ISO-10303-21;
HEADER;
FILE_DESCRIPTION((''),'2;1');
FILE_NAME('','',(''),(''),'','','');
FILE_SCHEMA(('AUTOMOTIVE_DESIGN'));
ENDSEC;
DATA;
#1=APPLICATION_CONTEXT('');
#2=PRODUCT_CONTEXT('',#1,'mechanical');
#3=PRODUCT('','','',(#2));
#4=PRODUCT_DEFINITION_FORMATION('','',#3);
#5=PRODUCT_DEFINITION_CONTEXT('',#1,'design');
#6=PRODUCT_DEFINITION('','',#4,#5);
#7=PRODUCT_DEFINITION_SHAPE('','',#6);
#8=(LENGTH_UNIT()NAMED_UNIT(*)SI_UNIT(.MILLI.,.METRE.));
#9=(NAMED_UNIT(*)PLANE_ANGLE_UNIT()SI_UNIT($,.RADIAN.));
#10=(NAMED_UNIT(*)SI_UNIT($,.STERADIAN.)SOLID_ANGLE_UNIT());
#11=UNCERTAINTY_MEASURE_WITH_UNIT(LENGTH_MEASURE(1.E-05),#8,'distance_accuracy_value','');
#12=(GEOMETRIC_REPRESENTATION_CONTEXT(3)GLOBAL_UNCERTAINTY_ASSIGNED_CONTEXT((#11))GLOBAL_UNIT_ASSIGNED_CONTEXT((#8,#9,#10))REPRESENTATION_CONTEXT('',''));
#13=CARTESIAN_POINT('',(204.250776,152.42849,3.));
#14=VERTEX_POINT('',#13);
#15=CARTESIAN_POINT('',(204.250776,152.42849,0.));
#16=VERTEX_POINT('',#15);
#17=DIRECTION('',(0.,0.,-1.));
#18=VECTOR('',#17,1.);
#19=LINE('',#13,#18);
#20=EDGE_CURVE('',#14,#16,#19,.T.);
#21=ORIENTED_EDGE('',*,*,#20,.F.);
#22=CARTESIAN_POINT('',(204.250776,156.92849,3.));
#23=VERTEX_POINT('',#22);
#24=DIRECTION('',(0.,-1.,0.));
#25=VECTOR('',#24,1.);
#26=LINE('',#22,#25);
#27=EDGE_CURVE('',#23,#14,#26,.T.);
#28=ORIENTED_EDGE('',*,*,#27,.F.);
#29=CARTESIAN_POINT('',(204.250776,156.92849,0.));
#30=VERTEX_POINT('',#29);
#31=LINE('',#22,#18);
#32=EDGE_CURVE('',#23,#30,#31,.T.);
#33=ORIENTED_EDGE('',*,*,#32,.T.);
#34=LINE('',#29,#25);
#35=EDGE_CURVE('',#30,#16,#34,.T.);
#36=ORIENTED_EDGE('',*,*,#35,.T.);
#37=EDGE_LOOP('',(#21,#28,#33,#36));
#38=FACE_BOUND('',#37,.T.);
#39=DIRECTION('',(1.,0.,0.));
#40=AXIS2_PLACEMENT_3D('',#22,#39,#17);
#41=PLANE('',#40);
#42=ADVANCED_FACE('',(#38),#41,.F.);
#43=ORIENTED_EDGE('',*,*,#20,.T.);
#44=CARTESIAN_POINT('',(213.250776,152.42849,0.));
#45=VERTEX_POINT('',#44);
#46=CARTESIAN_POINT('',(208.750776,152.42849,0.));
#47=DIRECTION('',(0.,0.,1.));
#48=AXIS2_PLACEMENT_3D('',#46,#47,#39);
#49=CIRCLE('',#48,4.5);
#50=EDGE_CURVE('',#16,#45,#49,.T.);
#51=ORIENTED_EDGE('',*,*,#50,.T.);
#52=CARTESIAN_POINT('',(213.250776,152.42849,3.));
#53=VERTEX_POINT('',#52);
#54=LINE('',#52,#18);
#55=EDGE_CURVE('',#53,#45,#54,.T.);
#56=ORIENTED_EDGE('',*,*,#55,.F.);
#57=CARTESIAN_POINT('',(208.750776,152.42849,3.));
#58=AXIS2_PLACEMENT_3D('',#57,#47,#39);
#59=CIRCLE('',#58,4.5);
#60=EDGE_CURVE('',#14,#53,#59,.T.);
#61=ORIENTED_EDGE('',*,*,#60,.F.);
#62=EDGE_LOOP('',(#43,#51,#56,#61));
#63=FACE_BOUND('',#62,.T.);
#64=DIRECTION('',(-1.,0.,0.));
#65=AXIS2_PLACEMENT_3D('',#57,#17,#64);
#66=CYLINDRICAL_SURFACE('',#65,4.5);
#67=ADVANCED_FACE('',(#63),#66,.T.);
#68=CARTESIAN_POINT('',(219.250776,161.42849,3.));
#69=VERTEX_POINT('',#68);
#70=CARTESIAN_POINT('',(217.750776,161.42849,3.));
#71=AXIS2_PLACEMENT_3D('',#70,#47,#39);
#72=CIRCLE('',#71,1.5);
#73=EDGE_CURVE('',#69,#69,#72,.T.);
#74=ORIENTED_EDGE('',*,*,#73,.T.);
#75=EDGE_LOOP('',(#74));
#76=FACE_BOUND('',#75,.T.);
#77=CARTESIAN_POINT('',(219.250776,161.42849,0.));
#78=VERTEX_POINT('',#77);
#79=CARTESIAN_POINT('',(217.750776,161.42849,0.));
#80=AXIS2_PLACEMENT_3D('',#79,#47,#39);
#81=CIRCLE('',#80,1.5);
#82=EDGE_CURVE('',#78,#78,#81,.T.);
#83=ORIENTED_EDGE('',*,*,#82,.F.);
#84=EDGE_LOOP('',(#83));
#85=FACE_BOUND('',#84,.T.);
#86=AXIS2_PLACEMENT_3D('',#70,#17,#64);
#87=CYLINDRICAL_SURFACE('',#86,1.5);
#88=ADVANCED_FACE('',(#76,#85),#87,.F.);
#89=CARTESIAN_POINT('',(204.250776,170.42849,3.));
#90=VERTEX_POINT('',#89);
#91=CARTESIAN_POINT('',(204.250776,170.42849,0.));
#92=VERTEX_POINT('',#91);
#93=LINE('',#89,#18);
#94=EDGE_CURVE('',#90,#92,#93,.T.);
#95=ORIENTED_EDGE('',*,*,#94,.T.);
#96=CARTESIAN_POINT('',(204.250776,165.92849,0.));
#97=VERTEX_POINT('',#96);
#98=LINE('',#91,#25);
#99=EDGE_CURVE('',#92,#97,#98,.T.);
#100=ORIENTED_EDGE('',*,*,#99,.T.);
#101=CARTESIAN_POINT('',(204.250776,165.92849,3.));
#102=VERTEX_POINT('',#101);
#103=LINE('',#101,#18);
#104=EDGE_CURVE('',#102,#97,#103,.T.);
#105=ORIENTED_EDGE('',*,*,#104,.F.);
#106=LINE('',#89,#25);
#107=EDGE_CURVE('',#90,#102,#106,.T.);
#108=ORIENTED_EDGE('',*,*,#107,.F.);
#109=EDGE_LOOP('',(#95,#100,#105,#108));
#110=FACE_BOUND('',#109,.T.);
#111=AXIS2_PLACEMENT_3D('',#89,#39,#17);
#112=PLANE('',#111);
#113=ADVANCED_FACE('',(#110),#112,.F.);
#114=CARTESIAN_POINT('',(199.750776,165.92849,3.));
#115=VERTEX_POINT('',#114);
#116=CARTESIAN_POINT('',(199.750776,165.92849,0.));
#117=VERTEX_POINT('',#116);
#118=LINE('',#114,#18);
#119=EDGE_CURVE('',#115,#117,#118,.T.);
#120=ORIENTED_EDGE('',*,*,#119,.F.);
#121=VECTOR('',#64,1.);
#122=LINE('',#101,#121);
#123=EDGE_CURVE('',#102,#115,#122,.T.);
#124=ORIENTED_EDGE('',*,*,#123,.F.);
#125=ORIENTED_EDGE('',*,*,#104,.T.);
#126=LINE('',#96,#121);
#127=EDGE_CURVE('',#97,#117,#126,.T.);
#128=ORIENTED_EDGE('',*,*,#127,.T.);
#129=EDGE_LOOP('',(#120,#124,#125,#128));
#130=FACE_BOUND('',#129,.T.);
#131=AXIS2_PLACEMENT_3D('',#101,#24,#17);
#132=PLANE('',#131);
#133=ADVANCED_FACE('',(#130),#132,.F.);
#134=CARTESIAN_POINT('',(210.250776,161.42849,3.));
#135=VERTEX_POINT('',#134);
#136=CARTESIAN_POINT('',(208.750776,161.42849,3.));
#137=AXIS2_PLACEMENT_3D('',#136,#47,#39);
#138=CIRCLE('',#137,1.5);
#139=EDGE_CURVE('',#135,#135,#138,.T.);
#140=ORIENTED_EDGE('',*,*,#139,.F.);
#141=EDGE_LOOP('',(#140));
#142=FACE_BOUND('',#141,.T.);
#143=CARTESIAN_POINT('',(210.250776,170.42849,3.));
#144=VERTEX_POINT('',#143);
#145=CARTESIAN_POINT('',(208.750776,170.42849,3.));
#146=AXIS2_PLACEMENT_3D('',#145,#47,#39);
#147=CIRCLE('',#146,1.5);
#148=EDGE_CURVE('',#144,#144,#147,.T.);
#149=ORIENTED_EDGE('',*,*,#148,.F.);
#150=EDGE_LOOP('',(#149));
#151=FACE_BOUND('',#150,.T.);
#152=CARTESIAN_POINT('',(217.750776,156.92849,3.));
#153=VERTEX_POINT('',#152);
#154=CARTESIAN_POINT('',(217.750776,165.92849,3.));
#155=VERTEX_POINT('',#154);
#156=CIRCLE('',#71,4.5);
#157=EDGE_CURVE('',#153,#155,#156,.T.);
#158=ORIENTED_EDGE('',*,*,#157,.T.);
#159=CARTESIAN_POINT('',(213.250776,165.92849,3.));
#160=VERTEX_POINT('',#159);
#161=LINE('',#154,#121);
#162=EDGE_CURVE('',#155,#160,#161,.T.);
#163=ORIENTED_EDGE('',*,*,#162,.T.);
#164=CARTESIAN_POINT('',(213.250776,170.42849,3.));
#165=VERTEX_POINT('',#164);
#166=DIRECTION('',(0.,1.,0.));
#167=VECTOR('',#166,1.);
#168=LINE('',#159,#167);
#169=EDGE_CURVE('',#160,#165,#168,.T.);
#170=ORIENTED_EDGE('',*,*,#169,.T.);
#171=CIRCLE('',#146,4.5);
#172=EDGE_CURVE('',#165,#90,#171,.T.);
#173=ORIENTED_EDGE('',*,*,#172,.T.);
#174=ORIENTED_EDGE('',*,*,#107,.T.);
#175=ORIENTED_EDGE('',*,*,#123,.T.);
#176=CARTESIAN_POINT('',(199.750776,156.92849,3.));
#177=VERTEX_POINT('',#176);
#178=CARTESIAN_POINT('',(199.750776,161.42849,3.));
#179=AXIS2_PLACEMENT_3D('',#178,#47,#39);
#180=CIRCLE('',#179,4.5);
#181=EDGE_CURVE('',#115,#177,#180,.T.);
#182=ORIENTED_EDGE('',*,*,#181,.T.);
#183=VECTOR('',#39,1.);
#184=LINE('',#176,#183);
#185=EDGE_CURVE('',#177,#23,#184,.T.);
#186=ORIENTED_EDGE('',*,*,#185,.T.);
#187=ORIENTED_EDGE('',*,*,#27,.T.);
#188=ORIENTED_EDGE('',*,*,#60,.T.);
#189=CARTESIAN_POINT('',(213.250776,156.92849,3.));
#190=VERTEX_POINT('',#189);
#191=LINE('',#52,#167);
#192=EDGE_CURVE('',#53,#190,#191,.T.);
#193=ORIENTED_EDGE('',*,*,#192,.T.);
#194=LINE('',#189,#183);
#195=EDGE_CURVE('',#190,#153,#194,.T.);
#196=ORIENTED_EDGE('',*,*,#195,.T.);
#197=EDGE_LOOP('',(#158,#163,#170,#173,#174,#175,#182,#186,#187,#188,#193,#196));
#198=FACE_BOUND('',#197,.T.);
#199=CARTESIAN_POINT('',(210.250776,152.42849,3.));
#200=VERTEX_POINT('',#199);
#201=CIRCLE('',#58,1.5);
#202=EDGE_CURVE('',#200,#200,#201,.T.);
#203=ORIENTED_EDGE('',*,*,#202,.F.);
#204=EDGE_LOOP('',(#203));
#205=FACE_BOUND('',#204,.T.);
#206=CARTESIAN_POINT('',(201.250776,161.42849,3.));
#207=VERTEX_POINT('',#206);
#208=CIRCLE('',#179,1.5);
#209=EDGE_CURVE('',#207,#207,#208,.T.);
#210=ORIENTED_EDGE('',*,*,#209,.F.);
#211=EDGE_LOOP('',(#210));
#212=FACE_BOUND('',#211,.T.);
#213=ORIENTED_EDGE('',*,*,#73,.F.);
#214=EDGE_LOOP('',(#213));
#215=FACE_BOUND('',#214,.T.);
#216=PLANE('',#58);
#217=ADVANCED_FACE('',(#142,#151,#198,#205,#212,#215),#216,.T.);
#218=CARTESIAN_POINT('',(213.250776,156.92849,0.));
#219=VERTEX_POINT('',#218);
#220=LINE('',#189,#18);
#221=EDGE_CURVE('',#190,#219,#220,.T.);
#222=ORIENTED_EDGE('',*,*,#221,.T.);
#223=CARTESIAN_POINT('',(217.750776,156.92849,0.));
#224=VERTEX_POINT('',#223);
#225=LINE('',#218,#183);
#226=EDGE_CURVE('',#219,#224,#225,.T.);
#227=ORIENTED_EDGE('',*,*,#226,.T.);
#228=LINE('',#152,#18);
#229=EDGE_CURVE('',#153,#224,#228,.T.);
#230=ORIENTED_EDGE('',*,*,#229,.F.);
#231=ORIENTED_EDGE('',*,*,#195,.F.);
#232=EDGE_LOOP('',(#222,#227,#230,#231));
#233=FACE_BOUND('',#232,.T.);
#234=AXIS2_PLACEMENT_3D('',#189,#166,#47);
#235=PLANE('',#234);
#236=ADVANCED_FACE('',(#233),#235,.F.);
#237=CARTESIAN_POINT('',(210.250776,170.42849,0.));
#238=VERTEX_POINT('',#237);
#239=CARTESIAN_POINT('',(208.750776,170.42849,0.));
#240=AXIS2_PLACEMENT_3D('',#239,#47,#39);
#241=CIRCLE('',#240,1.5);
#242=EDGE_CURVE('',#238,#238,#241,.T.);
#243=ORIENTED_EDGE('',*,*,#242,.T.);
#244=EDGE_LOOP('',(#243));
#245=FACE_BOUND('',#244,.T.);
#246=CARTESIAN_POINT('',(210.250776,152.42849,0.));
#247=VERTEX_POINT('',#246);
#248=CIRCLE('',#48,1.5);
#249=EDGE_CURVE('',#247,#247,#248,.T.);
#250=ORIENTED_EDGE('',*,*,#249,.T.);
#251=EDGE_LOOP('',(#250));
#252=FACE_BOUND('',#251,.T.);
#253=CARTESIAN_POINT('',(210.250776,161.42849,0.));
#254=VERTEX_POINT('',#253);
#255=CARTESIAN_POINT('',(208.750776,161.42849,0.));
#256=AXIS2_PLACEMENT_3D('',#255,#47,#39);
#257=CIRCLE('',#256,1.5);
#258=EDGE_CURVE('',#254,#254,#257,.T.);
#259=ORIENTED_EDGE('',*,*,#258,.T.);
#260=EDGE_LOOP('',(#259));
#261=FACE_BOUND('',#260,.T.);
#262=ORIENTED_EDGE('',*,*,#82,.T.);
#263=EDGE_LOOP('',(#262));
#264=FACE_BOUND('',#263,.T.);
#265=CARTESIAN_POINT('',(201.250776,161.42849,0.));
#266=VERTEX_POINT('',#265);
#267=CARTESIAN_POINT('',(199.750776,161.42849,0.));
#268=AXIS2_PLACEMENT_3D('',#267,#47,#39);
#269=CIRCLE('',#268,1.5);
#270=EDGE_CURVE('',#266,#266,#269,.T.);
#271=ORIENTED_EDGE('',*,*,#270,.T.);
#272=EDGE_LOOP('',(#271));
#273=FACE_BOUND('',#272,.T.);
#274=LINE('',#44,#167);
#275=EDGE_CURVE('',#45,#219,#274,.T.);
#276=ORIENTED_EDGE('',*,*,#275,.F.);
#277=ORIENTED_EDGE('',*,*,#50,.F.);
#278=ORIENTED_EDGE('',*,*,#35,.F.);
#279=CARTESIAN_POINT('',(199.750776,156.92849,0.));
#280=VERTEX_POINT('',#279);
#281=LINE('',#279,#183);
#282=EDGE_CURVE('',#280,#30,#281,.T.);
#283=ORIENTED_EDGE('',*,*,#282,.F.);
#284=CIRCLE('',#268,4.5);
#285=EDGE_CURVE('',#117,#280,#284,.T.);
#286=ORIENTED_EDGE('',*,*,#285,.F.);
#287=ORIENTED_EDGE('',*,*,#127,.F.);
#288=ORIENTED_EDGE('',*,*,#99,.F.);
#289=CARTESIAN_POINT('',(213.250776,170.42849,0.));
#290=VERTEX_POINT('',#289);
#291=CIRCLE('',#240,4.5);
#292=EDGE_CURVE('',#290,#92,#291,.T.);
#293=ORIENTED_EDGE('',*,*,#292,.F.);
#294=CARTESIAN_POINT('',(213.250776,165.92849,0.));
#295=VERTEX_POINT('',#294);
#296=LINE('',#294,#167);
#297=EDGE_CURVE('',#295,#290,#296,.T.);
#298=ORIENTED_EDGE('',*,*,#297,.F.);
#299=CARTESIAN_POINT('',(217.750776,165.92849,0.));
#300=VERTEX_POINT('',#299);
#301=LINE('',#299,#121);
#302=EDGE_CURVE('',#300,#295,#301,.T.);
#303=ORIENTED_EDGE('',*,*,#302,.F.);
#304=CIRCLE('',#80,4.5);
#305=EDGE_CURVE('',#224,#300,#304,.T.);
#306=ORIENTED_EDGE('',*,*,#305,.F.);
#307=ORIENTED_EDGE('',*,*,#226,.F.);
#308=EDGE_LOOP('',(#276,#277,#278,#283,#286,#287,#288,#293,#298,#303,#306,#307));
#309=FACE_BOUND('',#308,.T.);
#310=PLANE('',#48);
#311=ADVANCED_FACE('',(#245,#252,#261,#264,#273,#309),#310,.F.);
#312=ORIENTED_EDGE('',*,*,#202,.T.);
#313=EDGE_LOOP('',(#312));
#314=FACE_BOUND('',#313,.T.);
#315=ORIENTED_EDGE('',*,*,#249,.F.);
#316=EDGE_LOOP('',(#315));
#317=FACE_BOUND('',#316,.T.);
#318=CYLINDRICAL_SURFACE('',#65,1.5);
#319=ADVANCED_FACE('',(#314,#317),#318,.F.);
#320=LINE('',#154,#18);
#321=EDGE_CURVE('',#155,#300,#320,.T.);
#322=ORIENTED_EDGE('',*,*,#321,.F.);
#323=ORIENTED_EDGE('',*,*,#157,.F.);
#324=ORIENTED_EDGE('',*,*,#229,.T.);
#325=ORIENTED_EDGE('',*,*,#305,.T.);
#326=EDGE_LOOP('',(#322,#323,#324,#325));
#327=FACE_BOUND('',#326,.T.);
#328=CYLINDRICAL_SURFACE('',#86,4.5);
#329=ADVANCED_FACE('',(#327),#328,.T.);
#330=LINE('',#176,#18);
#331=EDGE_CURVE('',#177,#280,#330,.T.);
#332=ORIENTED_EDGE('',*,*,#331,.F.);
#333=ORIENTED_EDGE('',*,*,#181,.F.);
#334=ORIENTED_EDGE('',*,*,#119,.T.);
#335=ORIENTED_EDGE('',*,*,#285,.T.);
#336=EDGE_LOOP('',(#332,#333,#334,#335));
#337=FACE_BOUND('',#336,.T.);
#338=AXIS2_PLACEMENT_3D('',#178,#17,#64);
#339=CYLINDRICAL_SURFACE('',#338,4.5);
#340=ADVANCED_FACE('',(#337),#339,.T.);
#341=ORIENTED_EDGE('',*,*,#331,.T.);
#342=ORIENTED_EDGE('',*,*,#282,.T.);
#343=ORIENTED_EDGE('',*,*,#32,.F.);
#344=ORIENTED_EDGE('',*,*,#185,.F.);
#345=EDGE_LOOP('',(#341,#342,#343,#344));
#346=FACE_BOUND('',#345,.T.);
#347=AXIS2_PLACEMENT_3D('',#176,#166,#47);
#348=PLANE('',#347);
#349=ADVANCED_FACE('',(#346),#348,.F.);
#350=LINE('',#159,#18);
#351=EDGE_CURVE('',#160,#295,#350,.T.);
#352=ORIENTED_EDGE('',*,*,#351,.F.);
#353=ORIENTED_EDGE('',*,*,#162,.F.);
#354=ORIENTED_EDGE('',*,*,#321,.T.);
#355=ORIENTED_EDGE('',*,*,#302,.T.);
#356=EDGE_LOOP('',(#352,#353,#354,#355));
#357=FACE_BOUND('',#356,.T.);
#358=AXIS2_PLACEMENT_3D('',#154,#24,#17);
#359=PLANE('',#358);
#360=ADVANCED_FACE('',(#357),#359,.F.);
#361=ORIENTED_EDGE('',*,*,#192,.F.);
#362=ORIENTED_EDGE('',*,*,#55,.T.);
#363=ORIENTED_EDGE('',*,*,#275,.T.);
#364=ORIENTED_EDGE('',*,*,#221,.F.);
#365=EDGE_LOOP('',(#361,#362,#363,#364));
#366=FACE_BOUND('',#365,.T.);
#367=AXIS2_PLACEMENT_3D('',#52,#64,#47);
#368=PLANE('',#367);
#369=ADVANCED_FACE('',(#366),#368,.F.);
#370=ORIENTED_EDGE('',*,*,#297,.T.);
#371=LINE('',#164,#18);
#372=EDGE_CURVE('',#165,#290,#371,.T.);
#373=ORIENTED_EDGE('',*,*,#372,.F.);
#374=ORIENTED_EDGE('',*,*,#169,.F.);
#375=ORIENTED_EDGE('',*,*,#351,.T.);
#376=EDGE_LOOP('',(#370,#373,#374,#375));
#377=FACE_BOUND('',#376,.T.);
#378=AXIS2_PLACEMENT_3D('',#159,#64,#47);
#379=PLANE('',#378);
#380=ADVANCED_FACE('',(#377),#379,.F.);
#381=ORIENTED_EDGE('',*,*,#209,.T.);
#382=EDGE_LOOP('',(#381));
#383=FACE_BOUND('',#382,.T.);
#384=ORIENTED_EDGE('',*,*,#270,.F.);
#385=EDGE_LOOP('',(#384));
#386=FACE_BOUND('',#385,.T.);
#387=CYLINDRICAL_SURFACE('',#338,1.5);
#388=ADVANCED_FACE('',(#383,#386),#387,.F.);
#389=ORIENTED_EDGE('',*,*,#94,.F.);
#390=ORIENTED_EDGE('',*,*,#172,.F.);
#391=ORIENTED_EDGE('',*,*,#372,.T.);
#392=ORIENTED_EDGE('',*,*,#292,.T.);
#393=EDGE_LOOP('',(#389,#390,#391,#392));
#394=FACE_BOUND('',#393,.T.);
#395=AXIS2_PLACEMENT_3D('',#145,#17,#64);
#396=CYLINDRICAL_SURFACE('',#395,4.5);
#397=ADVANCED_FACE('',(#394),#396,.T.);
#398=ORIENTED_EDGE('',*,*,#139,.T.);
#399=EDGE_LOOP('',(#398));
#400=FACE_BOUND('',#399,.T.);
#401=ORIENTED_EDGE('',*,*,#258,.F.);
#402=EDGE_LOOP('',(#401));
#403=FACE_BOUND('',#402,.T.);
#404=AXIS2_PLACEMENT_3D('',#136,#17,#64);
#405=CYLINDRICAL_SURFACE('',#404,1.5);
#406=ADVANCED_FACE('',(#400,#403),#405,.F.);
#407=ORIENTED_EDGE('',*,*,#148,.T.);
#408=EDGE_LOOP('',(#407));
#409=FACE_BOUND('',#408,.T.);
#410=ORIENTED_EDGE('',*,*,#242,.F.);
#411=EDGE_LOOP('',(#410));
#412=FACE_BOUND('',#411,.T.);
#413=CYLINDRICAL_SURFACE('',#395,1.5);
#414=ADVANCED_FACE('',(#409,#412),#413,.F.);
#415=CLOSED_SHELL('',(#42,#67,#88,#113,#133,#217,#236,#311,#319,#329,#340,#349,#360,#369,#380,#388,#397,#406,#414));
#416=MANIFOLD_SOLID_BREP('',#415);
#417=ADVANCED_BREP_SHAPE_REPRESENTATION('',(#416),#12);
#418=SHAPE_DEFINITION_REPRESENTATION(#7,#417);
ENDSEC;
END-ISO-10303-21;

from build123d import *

# Parameters (mm, degrees)
MODEL_R                 = 1.5
SALIENTE_EXTRUIR1_DEPTH = 3


with BuildPart() as part:
    # Model → Saliente-Extruir1 (new body)
    with BuildSketch(Plane.XY):
        with BuildLine():
            Line((213.25077615, 165.928489513), (213.25077615, 170.428489513))
            ThreePointArc((213.25077615, 170.428489513), (208.75077615, 174.928489513), (204.25077615, 170.428489513))
            Line((204.25077615, 170.428489513), (204.25077615, 165.928489513))
            Line((204.25077615, 165.928489513), (199.75077615, 165.928489513))
            ThreePointArc((199.75077615, 165.928489513), (195.25077615, 161.428489513), (199.75077615, 156.928489513))
            Line((199.75077615, 156.928489513), (204.25077615, 156.928489513))
            Line((204.25077615, 156.928489513), (204.25077615, 152.428489513))
            ThreePointArc((204.25077615, 152.428489513), (208.75077615, 147.928489513), (213.25077615, 152.428489513))
            Line((213.25077615, 152.428489513), (213.25077615, 156.928489513))
            Line((213.25077615, 156.928489513), (217.75077615, 156.928489513))
            ThreePointArc((217.75077615, 156.928489513), (222.25077615, 161.428489513), (217.75077615, 165.928489513))
            Line((217.75077615, 165.928489513), (213.25077615, 165.928489513))
        make_face()
        with Locations((208.75077615, 152.428489513)):
            Circle(MODEL_R, mode=Mode.SUBTRACT)
        with Locations((208.75077615, 161.428489513)):
            Circle(MODEL_R, mode=Mode.SUBTRACT)
        with Locations((208.75077615, 170.428489513)):
            Circle(MODEL_R, mode=Mode.SUBTRACT)
        with Locations((199.75077615, 161.428489513)):
            Circle(MODEL_R, mode=Mode.SUBTRACT)
        with Locations((217.75077615, 161.428489513)):
            Circle(MODEL_R, mode=Mode.SUBTRACT)
    extrude(amount=SALIENTE_EXTRUIR1_DEPTH)


solid = part.part
